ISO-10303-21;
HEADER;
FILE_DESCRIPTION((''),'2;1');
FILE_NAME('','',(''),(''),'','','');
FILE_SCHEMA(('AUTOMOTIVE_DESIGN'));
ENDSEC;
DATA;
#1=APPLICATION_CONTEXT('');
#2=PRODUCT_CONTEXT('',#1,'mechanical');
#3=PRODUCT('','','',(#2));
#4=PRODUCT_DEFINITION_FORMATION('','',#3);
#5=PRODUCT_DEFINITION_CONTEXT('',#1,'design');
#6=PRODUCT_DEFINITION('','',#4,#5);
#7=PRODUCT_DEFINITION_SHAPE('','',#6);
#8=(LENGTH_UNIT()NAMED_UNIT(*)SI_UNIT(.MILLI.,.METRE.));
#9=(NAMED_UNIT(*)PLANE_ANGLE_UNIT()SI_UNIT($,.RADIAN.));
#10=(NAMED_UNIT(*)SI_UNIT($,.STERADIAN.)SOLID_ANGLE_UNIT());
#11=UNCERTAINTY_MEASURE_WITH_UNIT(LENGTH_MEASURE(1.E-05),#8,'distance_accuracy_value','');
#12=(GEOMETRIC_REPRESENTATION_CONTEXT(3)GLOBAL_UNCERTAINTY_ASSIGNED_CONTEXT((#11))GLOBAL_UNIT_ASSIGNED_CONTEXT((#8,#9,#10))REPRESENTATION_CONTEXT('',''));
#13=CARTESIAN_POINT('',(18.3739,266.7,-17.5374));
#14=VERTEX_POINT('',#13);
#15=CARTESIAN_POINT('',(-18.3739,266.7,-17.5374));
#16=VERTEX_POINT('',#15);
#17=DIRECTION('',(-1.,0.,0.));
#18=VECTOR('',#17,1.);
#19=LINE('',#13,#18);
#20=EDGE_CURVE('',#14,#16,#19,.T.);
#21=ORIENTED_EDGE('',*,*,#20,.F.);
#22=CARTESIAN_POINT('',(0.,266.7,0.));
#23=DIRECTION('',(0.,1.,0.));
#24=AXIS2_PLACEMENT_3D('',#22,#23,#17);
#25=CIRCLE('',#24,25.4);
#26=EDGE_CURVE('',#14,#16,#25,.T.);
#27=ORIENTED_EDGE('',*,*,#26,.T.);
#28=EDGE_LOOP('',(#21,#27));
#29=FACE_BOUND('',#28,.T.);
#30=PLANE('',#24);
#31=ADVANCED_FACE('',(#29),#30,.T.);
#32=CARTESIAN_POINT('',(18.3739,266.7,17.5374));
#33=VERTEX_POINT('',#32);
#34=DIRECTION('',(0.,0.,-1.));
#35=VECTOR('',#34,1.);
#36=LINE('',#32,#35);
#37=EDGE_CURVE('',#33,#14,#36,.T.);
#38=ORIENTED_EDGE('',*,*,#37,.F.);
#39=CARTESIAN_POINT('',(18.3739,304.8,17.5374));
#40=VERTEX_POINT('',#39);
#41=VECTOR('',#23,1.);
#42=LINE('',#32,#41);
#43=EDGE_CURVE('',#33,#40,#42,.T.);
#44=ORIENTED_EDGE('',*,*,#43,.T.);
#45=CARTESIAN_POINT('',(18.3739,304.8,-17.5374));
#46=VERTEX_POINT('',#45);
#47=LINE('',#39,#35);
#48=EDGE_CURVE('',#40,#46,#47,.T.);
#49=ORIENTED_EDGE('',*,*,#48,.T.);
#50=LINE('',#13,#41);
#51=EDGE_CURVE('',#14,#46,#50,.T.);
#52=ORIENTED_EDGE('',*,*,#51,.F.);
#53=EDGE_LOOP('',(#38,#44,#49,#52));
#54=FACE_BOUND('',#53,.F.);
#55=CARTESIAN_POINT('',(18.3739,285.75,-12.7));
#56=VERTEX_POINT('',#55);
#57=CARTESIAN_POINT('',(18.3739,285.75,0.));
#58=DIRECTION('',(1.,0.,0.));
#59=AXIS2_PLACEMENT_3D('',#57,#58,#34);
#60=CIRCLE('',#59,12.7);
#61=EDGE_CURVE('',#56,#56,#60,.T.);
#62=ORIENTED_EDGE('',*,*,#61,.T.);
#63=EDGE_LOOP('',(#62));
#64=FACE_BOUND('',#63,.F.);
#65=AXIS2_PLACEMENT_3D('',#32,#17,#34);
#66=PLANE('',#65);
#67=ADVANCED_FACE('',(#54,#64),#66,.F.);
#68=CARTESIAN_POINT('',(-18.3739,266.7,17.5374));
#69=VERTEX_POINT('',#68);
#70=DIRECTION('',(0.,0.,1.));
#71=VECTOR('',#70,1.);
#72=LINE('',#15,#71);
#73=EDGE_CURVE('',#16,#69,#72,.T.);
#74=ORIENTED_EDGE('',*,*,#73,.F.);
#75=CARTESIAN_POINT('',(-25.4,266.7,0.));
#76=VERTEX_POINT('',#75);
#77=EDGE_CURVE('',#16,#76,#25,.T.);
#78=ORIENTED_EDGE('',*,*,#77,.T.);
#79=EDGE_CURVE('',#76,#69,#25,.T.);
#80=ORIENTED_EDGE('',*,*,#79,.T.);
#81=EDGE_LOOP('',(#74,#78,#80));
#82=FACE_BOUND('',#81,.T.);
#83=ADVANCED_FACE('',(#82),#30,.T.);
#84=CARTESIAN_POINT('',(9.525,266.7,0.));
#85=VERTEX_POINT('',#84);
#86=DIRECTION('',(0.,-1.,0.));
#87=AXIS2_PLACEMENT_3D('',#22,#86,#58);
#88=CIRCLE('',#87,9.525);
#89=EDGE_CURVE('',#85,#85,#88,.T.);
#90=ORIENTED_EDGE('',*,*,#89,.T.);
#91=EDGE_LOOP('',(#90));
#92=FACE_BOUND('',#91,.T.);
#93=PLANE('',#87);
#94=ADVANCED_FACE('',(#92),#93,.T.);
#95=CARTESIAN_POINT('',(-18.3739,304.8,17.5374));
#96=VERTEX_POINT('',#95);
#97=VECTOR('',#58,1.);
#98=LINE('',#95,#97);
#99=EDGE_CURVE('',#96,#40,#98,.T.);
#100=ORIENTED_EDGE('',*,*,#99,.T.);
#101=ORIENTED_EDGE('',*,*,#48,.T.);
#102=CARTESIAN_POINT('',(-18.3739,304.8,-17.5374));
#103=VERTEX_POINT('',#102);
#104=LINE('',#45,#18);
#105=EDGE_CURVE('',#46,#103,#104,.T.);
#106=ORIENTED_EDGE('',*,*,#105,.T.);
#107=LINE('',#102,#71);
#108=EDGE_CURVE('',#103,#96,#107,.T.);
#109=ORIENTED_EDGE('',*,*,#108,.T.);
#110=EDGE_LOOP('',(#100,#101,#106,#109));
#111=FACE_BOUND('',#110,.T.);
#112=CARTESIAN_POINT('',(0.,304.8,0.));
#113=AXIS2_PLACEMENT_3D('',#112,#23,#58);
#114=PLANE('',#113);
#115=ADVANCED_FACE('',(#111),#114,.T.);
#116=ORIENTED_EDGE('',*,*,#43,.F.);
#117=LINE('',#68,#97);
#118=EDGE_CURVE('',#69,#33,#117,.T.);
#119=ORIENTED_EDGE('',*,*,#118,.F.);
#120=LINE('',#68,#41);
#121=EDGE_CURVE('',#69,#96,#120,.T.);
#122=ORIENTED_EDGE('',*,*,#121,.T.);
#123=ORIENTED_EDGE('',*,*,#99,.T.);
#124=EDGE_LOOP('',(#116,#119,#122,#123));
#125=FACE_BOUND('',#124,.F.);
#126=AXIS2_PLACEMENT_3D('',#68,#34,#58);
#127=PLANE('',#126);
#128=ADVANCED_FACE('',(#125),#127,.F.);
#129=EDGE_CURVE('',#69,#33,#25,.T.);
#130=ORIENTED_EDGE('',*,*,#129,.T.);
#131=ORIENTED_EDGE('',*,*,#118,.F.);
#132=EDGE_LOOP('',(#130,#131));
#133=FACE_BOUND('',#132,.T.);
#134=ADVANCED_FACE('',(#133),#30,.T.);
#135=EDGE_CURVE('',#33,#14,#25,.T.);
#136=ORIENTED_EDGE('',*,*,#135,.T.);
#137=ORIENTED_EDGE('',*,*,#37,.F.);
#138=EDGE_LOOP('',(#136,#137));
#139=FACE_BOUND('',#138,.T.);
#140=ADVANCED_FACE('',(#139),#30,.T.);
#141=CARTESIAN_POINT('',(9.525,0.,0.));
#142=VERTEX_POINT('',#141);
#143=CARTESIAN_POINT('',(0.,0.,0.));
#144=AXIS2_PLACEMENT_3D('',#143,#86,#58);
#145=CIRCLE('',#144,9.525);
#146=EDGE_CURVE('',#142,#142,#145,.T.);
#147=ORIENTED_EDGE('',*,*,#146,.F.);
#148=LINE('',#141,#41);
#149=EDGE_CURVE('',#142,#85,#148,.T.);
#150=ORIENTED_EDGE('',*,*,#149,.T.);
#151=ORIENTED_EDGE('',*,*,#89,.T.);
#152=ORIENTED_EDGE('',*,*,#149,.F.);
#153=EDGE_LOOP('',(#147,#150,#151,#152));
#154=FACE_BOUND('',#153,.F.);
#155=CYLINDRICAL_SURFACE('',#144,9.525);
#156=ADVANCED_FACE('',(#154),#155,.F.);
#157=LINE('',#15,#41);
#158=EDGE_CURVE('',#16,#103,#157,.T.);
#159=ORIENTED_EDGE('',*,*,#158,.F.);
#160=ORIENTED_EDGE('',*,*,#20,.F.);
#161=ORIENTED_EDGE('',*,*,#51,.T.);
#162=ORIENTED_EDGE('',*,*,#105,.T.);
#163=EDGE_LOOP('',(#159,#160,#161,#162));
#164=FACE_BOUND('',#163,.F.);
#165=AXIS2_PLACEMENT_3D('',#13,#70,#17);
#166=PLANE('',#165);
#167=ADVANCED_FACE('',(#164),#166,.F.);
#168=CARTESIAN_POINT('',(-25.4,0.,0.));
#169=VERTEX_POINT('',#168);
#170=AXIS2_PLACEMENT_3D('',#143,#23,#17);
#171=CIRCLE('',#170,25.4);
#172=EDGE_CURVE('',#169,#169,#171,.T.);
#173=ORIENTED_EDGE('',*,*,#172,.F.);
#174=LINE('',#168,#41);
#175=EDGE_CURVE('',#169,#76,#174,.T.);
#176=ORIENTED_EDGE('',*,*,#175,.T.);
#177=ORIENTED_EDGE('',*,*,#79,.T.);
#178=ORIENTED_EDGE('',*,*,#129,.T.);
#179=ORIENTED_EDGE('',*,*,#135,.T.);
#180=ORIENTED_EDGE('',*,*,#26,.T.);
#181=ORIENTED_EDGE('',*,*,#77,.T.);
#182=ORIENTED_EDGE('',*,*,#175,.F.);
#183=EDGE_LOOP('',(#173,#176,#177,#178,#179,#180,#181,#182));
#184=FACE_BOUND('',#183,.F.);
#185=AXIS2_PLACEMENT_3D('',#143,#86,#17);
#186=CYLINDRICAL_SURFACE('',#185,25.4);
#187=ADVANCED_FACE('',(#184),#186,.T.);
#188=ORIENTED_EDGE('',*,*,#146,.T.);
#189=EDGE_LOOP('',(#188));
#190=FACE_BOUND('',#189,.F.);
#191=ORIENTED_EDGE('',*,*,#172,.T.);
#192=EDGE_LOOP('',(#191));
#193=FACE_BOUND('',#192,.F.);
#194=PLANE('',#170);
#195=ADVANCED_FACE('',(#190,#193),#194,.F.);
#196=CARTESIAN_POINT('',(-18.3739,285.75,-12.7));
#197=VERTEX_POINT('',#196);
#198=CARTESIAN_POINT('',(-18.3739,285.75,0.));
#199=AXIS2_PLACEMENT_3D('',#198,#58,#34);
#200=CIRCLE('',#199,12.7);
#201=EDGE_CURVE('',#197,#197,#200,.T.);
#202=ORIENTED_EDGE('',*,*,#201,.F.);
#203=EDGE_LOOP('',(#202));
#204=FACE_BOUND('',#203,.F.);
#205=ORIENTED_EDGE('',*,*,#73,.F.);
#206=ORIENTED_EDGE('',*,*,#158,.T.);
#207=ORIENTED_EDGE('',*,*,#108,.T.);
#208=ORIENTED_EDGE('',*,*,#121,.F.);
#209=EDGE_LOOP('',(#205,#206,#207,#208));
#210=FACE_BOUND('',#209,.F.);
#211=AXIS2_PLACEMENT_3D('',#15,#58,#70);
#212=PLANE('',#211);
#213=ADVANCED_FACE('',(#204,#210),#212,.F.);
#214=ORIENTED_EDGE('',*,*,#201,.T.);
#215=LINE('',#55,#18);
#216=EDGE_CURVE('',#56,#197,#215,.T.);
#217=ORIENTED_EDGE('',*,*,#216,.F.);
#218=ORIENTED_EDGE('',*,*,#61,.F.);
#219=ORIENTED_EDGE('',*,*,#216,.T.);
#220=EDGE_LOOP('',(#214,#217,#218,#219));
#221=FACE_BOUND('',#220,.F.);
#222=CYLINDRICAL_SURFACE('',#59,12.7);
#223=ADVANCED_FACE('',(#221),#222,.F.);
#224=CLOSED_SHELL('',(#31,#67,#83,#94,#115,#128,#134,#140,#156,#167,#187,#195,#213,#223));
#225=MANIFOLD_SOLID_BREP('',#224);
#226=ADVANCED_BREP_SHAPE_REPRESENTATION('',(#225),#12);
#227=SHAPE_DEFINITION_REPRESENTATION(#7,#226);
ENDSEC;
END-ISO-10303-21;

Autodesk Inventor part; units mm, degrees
ref_plane "YZ Plane" through (0, 0, 0) normal (1, 0, 0) x (0, 1, 0)
ref_plane "XZ Plane" through (0, 0, 0) normal (0, 1, 0) x (-1, 0, 0)
ref_plane "XY Plane" through (0, 0, 0) normal (0, 0, 1) x (1, 0, 0)
sketch "Sketch1" plane through (0, 0, 0) normal (0, 1, 0) x (-1, 0, 0)
  circle A0 centre (0, 0) radius 25.4
  dimension "d0" = 50.8
extrude "Extrusion1" add sketch "Sketch1" along normal blind 266.7
sketch "Sketch2" plane through (0, 266.7, 0) normal (0, 1, 0) x (1, 0, 0)
  circle A0 centre (0, 0) radius 25.4 projected
  line L0 (-18.3739, -17.5374) -> (18.3739, -17.5374)
  line L1 (18.3739, -17.5374) -> (18.3739, 17.5374)
  line L2 (18.3739, 17.5374) -> (-18.3739, 17.5374)
  line L3 (-18.3739, 17.5374) -> (-18.3739, -17.5374)
  line L4 (-18.3739, -17.5374) -> (18.3739, 17.5374) construction
  line L5 (18.3739, -17.5374) -> (-18.3739, 17.5374) construction
extrude "Extrusion4" add sketch "Sketch2" along normal blind 38.1 contours L1 L0 L3 L2
sketch "Sketch4" plane through (18.3739, 266.7, 17.5374) normal (1, 0, 0) x (0, 0, -1)
  circle A0 centre (17.5374, 19.05) radius 12.7
  point P0 (17.5374, -266.7)
  dimension "d10" = 25.4
extrude "Extrusion5" cut sketch "Sketch4" against normal blind 38.1
sketch "Sketch5" plane through (0, 0, 0) normal (0, -1, 0) x (1, 0, 0)
  circle A0 centre (0, 0) radius 9.525
  dimension "d13" = 19.05
extrude "Extrusion6" cut sketch "Sketch5" against normal blind 266.7
properties part number "cylendar" material "Aluminum 6061"
